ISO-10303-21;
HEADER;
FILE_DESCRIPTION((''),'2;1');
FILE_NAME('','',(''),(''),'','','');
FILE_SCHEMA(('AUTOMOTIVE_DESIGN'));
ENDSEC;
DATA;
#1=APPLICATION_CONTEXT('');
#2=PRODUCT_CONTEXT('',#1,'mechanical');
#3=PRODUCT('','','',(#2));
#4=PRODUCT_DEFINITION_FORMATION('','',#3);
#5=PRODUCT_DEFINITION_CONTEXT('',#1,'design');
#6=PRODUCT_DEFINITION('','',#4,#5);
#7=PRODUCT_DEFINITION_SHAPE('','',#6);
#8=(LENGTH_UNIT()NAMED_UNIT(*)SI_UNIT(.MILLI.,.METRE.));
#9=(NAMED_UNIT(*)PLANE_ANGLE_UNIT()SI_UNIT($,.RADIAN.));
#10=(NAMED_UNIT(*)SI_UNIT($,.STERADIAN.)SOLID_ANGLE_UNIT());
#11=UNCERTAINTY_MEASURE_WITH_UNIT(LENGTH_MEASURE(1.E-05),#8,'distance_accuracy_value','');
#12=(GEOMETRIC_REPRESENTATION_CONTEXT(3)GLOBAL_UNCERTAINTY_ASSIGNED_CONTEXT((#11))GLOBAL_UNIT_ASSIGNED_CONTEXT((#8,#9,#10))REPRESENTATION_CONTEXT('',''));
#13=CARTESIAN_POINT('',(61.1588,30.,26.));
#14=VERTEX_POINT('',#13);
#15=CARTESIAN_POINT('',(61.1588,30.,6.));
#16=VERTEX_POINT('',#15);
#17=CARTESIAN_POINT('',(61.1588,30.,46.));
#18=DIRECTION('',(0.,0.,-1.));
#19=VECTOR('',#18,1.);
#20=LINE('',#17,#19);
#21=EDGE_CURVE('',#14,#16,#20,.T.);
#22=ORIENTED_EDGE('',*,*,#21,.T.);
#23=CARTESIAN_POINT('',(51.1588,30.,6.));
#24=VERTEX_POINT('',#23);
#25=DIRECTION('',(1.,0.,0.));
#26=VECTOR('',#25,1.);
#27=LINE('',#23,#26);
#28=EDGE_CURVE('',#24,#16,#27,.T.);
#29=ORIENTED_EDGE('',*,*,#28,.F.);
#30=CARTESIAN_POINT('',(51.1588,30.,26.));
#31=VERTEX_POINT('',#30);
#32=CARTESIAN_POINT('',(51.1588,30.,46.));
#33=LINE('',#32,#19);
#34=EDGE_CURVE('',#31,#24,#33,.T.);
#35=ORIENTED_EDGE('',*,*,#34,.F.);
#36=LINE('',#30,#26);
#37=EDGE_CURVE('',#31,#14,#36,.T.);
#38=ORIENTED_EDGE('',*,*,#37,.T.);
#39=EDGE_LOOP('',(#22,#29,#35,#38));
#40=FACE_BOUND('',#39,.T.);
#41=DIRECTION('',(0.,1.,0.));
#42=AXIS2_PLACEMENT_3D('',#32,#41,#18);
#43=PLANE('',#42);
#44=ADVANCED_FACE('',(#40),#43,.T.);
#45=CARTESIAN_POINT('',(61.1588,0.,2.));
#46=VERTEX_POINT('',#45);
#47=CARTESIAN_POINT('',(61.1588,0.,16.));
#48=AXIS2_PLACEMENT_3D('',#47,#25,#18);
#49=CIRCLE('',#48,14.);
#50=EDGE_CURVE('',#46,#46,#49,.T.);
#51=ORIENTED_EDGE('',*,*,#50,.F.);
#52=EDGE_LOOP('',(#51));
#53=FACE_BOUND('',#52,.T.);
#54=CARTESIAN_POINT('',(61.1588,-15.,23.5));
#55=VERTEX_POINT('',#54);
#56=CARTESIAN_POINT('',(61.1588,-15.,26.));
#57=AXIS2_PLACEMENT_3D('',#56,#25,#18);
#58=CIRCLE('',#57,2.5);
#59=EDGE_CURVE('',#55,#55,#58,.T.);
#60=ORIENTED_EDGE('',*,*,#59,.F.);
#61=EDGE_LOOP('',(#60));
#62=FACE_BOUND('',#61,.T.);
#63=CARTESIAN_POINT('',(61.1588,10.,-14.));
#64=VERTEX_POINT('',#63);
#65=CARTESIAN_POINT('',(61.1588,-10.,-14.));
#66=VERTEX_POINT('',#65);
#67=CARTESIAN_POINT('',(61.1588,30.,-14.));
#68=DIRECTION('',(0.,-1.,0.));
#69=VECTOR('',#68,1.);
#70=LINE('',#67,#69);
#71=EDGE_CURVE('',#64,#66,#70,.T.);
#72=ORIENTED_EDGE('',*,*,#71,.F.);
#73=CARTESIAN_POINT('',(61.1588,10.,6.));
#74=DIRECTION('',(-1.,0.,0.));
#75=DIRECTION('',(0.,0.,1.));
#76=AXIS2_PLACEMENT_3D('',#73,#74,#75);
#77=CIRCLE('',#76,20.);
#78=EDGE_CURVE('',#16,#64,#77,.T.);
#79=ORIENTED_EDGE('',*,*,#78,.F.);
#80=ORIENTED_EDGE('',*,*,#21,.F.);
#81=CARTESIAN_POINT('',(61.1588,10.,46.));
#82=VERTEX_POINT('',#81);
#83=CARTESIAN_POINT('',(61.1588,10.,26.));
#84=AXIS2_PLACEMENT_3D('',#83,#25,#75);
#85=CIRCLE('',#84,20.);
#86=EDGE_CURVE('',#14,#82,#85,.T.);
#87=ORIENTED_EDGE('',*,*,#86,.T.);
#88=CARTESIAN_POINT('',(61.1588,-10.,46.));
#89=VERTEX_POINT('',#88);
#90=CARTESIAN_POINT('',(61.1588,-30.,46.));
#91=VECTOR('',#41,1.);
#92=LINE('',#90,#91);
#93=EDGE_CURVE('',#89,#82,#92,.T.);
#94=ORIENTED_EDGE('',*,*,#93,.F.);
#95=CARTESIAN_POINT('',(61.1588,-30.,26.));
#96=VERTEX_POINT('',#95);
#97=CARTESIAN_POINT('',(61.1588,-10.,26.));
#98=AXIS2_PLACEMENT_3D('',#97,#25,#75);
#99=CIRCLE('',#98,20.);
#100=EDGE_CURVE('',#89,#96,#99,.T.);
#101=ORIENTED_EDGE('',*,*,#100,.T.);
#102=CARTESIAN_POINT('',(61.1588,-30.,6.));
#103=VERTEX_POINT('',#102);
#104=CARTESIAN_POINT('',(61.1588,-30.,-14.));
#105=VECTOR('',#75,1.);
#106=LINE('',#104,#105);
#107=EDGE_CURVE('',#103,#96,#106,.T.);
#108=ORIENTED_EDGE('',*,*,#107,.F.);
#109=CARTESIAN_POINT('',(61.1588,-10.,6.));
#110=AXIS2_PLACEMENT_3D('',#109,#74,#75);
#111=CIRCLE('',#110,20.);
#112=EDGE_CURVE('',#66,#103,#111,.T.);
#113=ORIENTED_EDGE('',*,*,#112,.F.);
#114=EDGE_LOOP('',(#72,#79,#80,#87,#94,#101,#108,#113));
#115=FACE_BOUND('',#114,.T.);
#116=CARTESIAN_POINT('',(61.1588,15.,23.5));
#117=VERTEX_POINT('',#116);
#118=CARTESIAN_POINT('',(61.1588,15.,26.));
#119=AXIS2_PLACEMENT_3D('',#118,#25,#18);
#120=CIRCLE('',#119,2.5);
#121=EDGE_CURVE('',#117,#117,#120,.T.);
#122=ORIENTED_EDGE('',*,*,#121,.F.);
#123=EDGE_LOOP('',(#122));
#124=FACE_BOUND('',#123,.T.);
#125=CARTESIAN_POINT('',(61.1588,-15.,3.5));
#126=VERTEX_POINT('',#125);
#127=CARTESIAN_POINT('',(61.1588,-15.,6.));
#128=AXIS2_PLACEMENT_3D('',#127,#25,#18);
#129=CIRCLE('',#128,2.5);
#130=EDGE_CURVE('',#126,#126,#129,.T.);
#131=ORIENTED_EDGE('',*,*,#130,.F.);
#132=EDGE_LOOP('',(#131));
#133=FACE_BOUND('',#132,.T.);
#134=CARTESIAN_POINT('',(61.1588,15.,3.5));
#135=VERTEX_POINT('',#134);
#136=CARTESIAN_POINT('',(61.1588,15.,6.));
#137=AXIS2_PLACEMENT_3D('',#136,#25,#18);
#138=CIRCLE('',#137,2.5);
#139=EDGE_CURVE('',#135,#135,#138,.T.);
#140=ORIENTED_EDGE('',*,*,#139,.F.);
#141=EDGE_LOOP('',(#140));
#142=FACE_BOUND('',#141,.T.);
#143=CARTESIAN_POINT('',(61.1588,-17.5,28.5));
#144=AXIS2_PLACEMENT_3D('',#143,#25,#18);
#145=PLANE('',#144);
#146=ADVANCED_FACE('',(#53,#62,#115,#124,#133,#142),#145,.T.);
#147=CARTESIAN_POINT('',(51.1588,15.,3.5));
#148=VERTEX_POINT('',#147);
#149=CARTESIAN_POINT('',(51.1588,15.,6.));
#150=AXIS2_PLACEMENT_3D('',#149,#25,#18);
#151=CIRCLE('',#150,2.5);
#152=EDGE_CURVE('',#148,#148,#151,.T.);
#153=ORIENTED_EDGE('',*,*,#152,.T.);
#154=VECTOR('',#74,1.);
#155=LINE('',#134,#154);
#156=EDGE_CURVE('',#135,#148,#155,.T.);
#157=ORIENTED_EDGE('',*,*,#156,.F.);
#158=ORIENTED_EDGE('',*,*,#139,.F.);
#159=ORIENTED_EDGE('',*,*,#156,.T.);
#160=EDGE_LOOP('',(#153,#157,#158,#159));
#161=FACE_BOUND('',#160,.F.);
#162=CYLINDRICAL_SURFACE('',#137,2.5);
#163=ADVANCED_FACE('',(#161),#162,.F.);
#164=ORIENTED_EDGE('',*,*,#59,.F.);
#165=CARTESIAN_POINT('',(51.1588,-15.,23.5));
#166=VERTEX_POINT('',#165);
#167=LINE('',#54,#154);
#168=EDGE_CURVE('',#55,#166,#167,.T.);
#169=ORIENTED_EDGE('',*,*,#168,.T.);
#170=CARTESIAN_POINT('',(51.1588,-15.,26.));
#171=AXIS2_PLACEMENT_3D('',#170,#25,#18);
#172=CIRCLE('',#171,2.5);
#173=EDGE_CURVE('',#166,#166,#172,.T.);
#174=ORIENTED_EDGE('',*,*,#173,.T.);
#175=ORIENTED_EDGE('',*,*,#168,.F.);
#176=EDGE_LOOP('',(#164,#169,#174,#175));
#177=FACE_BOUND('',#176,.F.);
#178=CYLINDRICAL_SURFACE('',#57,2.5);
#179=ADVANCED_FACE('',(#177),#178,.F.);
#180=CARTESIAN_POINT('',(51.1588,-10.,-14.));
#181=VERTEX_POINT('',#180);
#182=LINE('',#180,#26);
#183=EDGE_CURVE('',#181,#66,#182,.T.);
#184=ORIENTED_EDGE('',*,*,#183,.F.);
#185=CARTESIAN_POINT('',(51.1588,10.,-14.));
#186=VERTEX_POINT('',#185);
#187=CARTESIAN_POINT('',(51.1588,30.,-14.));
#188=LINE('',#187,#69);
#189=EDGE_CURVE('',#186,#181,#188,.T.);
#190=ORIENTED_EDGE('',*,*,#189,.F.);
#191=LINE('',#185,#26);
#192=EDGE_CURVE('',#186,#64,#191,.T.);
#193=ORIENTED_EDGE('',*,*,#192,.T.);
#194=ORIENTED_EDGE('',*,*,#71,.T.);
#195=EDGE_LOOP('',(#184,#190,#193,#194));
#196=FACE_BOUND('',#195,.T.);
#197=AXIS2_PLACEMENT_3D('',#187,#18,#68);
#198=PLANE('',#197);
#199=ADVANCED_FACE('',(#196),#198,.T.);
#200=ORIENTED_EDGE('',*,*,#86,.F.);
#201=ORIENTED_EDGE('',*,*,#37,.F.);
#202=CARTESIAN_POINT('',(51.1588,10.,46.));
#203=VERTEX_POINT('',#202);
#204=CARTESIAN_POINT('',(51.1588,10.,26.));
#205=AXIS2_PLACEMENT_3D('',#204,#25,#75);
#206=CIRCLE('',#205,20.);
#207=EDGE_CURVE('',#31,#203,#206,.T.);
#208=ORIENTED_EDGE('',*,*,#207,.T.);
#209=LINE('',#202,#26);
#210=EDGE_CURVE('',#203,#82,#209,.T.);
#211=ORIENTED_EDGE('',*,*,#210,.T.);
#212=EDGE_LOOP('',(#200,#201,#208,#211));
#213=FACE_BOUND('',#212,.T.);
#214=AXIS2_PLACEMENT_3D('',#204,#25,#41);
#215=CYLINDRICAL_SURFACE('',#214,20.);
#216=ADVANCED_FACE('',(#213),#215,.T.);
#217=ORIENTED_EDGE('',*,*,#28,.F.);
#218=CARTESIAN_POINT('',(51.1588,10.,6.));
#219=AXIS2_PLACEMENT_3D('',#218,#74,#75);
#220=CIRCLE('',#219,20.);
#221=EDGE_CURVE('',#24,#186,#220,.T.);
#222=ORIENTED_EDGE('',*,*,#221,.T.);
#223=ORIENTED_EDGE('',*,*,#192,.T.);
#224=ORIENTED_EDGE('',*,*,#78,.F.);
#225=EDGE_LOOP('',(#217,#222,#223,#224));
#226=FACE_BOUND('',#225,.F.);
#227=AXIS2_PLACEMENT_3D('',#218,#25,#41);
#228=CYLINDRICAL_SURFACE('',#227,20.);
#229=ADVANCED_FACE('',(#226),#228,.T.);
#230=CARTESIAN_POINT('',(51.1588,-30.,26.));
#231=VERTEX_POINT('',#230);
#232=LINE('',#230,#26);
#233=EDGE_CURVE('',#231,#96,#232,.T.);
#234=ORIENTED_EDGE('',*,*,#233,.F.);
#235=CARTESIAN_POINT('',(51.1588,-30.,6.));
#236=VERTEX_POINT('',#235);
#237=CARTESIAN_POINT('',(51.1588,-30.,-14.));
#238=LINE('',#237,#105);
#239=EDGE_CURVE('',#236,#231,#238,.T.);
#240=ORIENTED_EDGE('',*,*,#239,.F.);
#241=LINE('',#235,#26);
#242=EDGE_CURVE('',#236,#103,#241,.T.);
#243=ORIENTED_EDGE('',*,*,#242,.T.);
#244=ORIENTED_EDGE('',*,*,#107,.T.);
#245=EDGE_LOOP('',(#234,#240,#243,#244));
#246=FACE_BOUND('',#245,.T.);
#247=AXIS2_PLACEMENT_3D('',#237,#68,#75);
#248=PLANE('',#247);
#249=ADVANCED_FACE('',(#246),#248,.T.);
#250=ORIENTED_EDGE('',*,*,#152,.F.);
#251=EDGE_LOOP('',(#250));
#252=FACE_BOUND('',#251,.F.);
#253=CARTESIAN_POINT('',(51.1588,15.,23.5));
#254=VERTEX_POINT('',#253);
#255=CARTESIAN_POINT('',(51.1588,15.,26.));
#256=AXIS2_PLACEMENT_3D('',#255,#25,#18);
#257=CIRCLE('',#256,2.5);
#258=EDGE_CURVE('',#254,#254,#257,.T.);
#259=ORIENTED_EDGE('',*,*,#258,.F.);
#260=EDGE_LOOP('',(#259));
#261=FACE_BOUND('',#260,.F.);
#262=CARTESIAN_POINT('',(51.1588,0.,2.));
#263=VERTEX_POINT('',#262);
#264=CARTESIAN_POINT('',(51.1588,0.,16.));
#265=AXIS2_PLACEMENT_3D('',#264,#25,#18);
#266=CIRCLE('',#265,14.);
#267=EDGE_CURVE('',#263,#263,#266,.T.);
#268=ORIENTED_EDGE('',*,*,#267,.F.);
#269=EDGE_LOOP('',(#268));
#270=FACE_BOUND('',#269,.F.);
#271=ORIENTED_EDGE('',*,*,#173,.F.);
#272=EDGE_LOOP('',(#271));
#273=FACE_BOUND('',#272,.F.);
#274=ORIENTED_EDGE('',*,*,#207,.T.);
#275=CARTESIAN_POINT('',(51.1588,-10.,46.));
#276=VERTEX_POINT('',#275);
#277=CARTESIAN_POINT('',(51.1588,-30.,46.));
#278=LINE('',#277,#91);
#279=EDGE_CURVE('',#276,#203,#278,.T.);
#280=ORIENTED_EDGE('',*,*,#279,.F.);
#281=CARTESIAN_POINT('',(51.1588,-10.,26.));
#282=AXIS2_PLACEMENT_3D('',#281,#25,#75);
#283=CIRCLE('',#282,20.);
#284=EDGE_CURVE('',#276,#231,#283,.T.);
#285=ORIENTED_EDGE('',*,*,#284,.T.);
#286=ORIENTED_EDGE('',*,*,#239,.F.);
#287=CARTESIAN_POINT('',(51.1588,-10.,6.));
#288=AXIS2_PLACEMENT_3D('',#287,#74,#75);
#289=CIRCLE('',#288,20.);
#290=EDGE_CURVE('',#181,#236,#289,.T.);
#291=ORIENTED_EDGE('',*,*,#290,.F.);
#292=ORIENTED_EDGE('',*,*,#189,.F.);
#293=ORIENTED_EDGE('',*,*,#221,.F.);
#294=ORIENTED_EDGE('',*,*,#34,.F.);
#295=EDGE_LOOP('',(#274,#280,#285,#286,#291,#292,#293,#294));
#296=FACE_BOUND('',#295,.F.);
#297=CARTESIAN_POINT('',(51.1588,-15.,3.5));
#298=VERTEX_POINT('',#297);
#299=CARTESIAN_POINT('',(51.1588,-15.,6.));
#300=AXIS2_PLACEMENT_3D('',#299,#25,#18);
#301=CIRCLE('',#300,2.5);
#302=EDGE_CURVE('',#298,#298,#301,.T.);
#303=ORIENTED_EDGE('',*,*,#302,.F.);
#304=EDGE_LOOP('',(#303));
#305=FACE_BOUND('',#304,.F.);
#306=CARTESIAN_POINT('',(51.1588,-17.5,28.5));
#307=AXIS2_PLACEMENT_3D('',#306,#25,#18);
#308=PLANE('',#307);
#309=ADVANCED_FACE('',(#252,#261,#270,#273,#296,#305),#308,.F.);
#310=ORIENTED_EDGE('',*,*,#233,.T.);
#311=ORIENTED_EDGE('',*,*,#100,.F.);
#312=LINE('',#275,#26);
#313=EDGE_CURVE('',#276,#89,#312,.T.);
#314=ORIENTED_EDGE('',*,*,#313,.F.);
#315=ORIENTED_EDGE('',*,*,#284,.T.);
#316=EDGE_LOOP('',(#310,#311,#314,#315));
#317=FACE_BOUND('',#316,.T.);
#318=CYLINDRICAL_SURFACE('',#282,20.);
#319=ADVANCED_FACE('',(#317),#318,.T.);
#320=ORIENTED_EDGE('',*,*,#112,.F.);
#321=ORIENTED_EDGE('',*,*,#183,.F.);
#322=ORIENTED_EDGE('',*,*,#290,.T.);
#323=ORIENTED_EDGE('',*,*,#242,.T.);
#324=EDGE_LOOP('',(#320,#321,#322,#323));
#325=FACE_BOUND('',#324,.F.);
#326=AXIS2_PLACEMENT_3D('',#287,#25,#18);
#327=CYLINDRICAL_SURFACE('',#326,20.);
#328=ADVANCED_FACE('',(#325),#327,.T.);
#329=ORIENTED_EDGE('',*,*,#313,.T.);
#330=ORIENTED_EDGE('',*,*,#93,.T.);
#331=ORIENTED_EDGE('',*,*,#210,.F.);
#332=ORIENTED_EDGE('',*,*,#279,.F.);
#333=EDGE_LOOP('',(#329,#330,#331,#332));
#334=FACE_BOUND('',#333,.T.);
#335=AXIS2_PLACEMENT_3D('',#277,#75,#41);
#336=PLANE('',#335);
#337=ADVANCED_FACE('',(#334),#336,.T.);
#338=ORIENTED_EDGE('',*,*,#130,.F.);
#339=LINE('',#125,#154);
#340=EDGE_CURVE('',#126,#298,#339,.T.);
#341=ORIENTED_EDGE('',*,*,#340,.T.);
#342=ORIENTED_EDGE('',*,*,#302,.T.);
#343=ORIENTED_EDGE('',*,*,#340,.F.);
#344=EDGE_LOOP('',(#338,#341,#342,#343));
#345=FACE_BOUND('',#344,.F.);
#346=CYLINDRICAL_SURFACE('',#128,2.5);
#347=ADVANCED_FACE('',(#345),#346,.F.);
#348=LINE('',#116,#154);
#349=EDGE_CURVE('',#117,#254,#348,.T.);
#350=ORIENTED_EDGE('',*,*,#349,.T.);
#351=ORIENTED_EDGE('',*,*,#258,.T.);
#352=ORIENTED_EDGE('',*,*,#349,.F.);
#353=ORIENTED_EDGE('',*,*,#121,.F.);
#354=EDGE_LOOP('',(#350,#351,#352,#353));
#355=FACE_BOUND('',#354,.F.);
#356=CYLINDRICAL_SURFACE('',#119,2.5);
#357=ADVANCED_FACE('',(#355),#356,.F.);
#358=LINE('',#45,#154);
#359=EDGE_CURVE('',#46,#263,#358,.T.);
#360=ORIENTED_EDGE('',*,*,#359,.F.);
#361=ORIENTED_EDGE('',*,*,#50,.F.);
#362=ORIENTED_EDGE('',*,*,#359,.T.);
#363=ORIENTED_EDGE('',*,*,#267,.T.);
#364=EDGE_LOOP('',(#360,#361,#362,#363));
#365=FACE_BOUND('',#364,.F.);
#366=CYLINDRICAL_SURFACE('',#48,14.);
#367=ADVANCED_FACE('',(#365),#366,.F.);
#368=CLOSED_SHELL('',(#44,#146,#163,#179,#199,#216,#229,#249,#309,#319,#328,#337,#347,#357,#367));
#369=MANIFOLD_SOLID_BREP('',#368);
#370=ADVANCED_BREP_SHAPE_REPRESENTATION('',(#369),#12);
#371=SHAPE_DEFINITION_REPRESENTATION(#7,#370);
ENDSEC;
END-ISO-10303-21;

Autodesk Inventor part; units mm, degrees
ref_plane "YZ Plane" through (0, 0, 0) normal (1, 0, 0) x (0, 1, 0)
ref_plane "XZ Plane" through (0, 0, 0) normal (0, 1, 0) x (-1, 0, 0)
sketch "Sketch1" plane through (0, 0, 0) normal (0, 0, 1) x (1, 0, 0)
  circle A0 centre (0, 0) radius 47.5
  circle A1 centre (0, 0) radius 4.25
  circle A2 centre (25, 0) radius 2.5
  circle A3 centre (12.5, 21.6506) radius 2.5
  circle A4 centre (-12.5, 21.6506) radius 2.5
  circle A5 centre (-25, 0) radius 2.5
  circle A6 centre (-12.5, -21.6506) radius 2.5
  circle A7 centre (12.5, -21.6506) radius 2.5
  dimension "d0" = 95
  dimension "d1" = 8.5
  dimension "d2" = 5
  dimension "d3" = 25
  dimension "d6" = 360
extrude "Extrusion1" add sketch "Sketch1" along normal blind 54
ref_plane "Work Plane1" through (0, 0, 16) normal (0, 0, 1) x (1, 0, 0)
sketch "Sketch2" plane through (0, 0, 16) normal (0, 0, 1) x (1, 0, 0)
  circle A0 centre (0, 0) radius 47.5 projected
  line L0 (44.1588, 17.5) -> (51.1588, 17.5)
  line L1 (51.1588, 17.5) -> (51.1588, -17.5)
  line L2 (51.1588, -17.5) -> (44.1588, -17.5)
  line L3 (44.1588, -17.5) -> (44.1588, 17.5)
  point P0 (44.1588, 0)
  dimension "d11" = 7
  dimension "d12" = 35
extrude "Extrusion2" add sketch "Sketch2" along normal mid plane 25 contours A0 L0 L1 L2
sketch "Sketch3" plane through (51.1588, -17.5, 28.5) normal (1, 0, 0) x (0, 0, -1)
  line L0 (-17.5, 47.5) -> (42.5, 47.5)
  line L1 (42.5, 47.5) -> (42.5, -12.5)
  line L2 (42.5, -12.5) -> (-17.5, -12.5)
  line L3 (-17.5, -12.5) -> (-17.5, 47.5)
  line L4 (25, 35) -> (0, 35) projected
  line L5 (0, 0) -> (0, 35) projected
  line L6 (25, 0) -> (0, 0) projected
  line L7 (25, 35) -> (25, 0) projected
  line L8 (25, 35) -> (25, 0) projected
  point P0 (28.5, 17.5)
  point P1 (-17.5, 17.5)
  point P2 (25, 17.5)
  point P3 (12.5, 47.5)
  point P4 (12.5, 35)
  dimension "d15" = 60
  dimension "d16" = 60
extrude "Extrusion3" add sketch "Sketch3" along normal blind 10 contours L0 L1 L2 L3 | L7 L6 L5 L4
fillet "Fillet1" radius 20 4 edges at (56.1588, 30, 46) (56.1588, 30, -14) (56.1588, -30, -14) (56.1588, -30, 46)
sketch "Sketch4" plane through (61.1588, -17.5, 28.5) normal (1, 0, 0) x (0, 0, -1)
  line L0 (2.5, 32.5) -> (22.5, 32.5) construction
  line L1 (22.5, 32.5) -> (22.5, 2.5) construction
  line L2 (22.5, 2.5) -> (2.5, 2.5) construction
  line L3 (2.5, 2.5) -> (2.5, 32.5) construction
  line L4 (22.5, 47.5) -> (2.5, 47.5) projected
  line L5 (42.5, 7.5) -> (42.5, 27.5) projected
  circle A0 centre (2.5, 32.5) radius 2.5
  circle A1 centre (22.5, 32.5) radius 2.5
  circle A2 centre (2.5, 2.5) radius 2.5
  circle A3 centre (22.5, 2.5) radius 2.5
  point P0 (28.5, 17.5)
  point P1 (22.5, 17.5)
  point P2 (42.5, 17.5)
  point P3 (12.5, 32.5)
  point P4 (12.5, 47.5)
  dimension "d20" = 20
  dimension "d21" = 30
  dimension "d22" = 5
  dimension "d23" = 5
  dimension "d24" = 5
  dimension "d25" = 5
extrude "Extrusion4" cut sketch "Sketch4" against normal blind 30
sketch "Sketch5" plane through (61.1588, -17.5, 28.5) normal (1, 0, 0) x (0, 0, -1)
  circle A0 centre (12.5, 17.5) radius 14
  line L0 (42.5, 7.5) -> (42.5, 27.5) projected
  line L1 (2.5, -12.5) -> (22.5, -12.5) projected
  point P0 (28.5, 17.5)
  point P1 (12.5, -12.5)
  point P2 (42.5, 17.5)
  dimension "d28" = 28
extrude "Extrusion5" cut sketch "Sketch5" against normal blind 13
sketch "Sketch6" plane through (0, 0, 54) normal (0, 0, 1) x (1, 0, 0)
  circle A0 centre (0, 0) radius 47.5 projected
extrude "Extrusion6" cut sketch "Sketch6" against normal blind 10
sketch "Sketch7" plane through (0, 0, 44) normal (0, 0, 1) x (1, 0, 0)
  circle A0 centre (0, 0) radius 47.5 projected
  circle A1 centre (0, 0) radius 42.5
  circle A2 centre (0, 0) radius 17.5
  dimension "d33" = 5
  dimension "d34" = 35
extrude "Extrusion7" cut sketch "Sketch7" against normal blind 15 contours A1
sketch "Sketch8" plane through (0, 0, 44) normal (0, 0, 1) x (1, 0, 0)
  circle A0 centre (0, 0) radius 13.5
  dimension "d37" = 27
extrude "Extrusion8" cut sketch "Sketch8" against normal blind 10
sketch "Sketch9" plane through (0, 0, 34) normal (0, 0, 1) x (1, 0, 0)
  circle A0 centre (0, 9.525) radius 1.5
  circle A1 centre (-8.2489, 4.7625) radius 1.5
  circle A2 centre (-8.2489, -4.7625) radius 1.5
  circle A3 centre (0, -9.525) radius 1.5
  circle A4 centre (8.2489, -4.7625) radius 1.5
  circle A5 centre (8.2489, 4.7625) radius 1.5
  point P0 (0, 0)
  dimension "d40" = 3
  dimension "d41" = 9.525
  dimension "d44" = 360
extrude "Extrusion9" cut sketch "Sketch9" against normal blind 15
sketch "Sketch10" plane through (0, 0, 0) normal (1, 0, 0) x (0, 1, 0)
  line L0 (-13.5, 34) -> (13.5, 34) projected
  line L1 (-13.5, 44) -> (13.5, 44) projected
  circle A0 centre (0, 36.75) radius 1.5
  circle A1 centre (0, 41.85) radius 1.5
  line L2 (0, 38.25) -> (0, 40.35)
  line L3 (-13.5, 34) -> (13.5, 34) projected
  line L4 (0, 34) -> (0, 35.25)
  point P0 (0, 0)
  dimension "d49" = 3
  dimension "d48" = 3
  dimension "d50" = 2.1
  dimension "d52" = 1.25
extrude "Extrusion10" cut sketch "Sketch10" against normal through all
sketch "Sketch11" plane through (51.1588, -17.5, 28.5) normal (-1, 0, 0) x (0, 0, 1)
  line L0 (-80.8261, -70.2881) -> (37.6957, -70.2881)
  line L1 (37.6957, -70.2881) -> (37.6957, 87.9511)
  line L2 (37.6957, 87.9511) -> (-80.8261, 87.9511)
  line L3 (-80.8261, 87.9511) -> (-80.8261, -70.2881)
  point P0 (-28.5, 17.5)
extrude "Extrusion11" cut sketch "Sketch11" along normal through all
equation "\"d26\" = d21"
properties part number "AA036" material "ABS Plastic"
